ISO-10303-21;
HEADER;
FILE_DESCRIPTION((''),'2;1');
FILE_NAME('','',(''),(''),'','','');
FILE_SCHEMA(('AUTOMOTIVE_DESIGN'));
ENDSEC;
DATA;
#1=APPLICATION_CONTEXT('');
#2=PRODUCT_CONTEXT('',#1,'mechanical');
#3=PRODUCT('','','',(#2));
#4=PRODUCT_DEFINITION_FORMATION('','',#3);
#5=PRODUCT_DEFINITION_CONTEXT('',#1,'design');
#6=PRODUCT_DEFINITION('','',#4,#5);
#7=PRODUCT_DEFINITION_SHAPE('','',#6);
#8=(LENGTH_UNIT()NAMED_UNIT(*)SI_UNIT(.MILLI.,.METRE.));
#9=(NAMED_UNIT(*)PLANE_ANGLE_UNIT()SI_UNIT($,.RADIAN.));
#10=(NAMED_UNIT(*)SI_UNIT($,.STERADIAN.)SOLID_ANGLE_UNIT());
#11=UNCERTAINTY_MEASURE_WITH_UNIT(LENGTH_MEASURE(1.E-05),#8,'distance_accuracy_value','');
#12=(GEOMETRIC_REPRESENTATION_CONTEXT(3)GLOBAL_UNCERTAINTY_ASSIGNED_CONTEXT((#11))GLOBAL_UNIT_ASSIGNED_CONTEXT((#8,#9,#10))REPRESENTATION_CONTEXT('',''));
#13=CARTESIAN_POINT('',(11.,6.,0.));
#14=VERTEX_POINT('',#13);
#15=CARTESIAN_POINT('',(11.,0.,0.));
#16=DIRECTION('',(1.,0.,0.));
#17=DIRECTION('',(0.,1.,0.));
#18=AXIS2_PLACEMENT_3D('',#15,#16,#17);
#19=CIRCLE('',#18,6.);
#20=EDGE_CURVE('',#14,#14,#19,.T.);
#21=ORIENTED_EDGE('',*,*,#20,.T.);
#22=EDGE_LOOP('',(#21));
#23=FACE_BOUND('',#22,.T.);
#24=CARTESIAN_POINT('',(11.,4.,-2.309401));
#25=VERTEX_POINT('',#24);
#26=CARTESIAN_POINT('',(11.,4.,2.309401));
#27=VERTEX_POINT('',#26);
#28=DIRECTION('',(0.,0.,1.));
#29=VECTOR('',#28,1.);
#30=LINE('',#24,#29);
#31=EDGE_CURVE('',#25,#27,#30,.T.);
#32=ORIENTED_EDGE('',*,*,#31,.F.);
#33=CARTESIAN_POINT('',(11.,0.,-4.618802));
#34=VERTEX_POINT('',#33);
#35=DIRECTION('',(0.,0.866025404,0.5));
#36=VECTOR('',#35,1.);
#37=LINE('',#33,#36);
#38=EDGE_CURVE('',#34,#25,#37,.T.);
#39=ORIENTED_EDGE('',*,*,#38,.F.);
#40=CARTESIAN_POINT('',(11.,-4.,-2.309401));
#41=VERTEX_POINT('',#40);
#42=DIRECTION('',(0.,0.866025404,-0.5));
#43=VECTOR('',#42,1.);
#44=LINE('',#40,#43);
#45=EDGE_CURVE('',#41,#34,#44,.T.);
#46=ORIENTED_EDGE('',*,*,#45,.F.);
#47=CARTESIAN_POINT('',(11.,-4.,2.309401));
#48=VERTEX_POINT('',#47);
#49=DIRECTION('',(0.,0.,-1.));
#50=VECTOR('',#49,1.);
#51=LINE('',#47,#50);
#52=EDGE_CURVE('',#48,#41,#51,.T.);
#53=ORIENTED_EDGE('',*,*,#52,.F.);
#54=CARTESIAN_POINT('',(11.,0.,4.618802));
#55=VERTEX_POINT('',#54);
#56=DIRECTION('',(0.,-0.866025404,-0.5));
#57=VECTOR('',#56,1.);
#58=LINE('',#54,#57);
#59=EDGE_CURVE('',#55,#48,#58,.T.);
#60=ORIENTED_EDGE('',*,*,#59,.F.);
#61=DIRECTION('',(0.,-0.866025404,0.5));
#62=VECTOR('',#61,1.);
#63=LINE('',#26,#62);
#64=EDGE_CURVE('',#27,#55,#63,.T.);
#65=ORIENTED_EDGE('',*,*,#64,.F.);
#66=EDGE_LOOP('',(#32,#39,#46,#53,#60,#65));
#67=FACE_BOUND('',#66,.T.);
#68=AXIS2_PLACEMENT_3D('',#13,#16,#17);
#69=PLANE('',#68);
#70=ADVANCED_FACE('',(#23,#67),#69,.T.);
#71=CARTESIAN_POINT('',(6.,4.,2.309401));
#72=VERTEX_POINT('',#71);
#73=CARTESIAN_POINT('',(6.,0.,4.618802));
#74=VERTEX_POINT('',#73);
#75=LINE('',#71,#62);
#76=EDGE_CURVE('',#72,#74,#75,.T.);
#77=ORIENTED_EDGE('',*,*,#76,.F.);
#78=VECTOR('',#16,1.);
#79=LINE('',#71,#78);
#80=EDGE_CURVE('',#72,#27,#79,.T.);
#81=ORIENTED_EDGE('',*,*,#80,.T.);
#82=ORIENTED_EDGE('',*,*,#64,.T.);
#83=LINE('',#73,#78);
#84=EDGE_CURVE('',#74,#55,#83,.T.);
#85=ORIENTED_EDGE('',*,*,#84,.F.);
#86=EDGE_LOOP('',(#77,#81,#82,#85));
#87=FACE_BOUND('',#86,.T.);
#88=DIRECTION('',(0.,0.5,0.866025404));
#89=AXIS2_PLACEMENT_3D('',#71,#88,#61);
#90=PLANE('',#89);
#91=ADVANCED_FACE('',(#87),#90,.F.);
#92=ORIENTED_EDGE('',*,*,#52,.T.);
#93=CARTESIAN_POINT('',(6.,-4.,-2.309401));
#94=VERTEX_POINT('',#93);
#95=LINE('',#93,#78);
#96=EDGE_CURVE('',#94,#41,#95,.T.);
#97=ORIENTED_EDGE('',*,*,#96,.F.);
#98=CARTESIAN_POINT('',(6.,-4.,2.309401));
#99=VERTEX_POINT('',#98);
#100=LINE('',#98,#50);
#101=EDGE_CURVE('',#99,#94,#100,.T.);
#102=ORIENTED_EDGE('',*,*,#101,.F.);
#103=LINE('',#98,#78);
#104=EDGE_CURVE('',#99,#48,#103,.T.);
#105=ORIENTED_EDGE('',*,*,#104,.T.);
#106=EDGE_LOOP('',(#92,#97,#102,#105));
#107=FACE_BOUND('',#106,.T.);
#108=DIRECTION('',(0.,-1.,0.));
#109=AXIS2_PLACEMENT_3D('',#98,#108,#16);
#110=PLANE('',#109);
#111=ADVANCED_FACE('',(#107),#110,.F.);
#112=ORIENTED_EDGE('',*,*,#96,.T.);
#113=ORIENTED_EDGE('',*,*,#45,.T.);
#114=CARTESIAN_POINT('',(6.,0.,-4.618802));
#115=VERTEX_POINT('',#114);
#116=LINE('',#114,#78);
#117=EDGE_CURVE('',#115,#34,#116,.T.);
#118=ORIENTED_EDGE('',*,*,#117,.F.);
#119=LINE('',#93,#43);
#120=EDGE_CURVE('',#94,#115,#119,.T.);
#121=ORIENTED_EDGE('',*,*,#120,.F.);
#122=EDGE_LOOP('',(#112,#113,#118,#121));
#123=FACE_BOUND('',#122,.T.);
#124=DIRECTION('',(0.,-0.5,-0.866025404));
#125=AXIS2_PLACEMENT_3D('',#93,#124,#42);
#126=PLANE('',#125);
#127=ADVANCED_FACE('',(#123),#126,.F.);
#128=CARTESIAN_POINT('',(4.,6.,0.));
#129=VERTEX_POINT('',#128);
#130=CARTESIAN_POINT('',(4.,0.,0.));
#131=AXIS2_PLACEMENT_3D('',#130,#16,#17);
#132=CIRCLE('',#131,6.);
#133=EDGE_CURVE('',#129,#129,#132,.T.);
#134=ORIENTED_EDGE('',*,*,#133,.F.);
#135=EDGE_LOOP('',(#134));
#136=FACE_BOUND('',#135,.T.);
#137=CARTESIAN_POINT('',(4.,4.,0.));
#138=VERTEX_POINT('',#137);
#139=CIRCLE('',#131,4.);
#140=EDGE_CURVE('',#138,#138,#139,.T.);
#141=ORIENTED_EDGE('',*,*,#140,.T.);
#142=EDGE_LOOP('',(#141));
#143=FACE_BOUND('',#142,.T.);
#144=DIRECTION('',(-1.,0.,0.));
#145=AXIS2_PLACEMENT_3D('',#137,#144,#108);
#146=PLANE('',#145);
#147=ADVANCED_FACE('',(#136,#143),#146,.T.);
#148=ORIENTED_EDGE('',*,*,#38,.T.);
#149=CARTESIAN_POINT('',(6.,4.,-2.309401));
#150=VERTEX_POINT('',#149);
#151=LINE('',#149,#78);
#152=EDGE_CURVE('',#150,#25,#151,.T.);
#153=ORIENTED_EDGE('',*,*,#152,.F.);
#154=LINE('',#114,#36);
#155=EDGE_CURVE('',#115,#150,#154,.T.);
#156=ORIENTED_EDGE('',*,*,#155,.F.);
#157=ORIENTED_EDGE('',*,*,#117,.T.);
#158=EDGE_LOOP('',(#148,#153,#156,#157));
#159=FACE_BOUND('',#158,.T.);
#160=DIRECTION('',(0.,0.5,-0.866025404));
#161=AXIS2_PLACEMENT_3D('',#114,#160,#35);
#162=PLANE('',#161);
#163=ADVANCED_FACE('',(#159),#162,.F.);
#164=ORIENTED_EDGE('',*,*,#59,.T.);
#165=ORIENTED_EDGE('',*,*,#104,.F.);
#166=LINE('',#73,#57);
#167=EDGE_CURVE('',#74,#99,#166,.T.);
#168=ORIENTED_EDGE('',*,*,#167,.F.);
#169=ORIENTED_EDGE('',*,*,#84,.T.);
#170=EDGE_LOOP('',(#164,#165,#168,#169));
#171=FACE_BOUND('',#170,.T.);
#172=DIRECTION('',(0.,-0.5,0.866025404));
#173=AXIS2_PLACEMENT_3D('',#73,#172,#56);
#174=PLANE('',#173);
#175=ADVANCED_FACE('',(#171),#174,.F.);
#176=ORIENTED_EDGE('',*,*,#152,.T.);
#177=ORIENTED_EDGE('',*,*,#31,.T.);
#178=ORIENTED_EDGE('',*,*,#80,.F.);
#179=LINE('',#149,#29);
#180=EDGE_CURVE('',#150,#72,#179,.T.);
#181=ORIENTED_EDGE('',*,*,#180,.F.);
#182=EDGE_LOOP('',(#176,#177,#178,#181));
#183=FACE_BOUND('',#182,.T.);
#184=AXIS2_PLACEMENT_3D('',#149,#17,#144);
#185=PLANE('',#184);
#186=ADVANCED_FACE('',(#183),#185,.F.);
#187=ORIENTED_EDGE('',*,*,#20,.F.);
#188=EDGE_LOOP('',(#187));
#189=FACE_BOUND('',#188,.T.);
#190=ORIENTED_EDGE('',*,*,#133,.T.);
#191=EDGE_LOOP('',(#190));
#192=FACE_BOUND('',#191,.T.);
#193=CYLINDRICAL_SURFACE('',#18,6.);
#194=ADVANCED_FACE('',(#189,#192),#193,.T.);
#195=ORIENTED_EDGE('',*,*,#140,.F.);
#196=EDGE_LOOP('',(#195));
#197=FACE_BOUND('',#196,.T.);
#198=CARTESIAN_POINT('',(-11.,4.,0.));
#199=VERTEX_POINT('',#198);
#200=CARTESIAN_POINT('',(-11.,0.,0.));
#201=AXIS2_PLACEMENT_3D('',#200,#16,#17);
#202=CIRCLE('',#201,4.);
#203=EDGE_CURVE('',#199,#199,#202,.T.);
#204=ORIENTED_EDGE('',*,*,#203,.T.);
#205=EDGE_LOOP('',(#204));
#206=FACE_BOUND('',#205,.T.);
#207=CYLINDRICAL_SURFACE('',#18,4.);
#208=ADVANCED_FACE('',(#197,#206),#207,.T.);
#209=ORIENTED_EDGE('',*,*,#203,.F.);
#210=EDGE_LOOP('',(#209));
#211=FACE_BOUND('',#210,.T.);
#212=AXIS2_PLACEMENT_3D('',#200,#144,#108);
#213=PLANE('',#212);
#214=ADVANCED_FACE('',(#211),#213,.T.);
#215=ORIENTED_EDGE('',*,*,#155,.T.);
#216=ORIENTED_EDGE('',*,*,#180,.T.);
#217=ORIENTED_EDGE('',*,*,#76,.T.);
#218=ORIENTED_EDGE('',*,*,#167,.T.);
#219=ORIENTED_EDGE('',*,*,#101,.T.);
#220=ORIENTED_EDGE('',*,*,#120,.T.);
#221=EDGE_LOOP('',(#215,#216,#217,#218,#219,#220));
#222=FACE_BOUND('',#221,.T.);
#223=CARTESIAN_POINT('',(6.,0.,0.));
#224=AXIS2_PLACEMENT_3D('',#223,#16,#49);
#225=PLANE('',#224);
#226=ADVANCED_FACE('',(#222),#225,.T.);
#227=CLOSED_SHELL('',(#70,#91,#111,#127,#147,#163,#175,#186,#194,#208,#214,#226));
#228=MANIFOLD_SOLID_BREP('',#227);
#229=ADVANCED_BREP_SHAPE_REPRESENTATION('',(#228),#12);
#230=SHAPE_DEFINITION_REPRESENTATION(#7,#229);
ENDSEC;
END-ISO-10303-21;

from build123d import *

# Parameters (mm, degrees)
CUT_EXTRUDE2_DEPTH = 5


with BuildPart() as part:
    # Sketch1 → Revolve1 (revolve)
    with BuildSketch(Plane.XY):
        Polygon((11, 0), (-11, 0), (-11, 4), (4, 4), (4, 6), (11, 6), align=None)
    revolve(axis=Axis((11, 0, 0), (-1, 0, 0)))

    # Sketch2 → Cut-Extrude2 (cut)
    with BuildSketch(Plane(origin=(11, 0, 0), x_dir=(0, 0, -1), z_dir=(1, 0, 0))):
        Polygon((4.618802154, 0), (2.309401077, 4), (-2.309401077, 4), (-4.618802154, 0), (-2.309401077, -4), (2.309401077, -4), align=None)
    extrude(amount=-CUT_EXTRUDE2_DEPTH, mode=Mode.SUBTRACT)


solid = part.part
